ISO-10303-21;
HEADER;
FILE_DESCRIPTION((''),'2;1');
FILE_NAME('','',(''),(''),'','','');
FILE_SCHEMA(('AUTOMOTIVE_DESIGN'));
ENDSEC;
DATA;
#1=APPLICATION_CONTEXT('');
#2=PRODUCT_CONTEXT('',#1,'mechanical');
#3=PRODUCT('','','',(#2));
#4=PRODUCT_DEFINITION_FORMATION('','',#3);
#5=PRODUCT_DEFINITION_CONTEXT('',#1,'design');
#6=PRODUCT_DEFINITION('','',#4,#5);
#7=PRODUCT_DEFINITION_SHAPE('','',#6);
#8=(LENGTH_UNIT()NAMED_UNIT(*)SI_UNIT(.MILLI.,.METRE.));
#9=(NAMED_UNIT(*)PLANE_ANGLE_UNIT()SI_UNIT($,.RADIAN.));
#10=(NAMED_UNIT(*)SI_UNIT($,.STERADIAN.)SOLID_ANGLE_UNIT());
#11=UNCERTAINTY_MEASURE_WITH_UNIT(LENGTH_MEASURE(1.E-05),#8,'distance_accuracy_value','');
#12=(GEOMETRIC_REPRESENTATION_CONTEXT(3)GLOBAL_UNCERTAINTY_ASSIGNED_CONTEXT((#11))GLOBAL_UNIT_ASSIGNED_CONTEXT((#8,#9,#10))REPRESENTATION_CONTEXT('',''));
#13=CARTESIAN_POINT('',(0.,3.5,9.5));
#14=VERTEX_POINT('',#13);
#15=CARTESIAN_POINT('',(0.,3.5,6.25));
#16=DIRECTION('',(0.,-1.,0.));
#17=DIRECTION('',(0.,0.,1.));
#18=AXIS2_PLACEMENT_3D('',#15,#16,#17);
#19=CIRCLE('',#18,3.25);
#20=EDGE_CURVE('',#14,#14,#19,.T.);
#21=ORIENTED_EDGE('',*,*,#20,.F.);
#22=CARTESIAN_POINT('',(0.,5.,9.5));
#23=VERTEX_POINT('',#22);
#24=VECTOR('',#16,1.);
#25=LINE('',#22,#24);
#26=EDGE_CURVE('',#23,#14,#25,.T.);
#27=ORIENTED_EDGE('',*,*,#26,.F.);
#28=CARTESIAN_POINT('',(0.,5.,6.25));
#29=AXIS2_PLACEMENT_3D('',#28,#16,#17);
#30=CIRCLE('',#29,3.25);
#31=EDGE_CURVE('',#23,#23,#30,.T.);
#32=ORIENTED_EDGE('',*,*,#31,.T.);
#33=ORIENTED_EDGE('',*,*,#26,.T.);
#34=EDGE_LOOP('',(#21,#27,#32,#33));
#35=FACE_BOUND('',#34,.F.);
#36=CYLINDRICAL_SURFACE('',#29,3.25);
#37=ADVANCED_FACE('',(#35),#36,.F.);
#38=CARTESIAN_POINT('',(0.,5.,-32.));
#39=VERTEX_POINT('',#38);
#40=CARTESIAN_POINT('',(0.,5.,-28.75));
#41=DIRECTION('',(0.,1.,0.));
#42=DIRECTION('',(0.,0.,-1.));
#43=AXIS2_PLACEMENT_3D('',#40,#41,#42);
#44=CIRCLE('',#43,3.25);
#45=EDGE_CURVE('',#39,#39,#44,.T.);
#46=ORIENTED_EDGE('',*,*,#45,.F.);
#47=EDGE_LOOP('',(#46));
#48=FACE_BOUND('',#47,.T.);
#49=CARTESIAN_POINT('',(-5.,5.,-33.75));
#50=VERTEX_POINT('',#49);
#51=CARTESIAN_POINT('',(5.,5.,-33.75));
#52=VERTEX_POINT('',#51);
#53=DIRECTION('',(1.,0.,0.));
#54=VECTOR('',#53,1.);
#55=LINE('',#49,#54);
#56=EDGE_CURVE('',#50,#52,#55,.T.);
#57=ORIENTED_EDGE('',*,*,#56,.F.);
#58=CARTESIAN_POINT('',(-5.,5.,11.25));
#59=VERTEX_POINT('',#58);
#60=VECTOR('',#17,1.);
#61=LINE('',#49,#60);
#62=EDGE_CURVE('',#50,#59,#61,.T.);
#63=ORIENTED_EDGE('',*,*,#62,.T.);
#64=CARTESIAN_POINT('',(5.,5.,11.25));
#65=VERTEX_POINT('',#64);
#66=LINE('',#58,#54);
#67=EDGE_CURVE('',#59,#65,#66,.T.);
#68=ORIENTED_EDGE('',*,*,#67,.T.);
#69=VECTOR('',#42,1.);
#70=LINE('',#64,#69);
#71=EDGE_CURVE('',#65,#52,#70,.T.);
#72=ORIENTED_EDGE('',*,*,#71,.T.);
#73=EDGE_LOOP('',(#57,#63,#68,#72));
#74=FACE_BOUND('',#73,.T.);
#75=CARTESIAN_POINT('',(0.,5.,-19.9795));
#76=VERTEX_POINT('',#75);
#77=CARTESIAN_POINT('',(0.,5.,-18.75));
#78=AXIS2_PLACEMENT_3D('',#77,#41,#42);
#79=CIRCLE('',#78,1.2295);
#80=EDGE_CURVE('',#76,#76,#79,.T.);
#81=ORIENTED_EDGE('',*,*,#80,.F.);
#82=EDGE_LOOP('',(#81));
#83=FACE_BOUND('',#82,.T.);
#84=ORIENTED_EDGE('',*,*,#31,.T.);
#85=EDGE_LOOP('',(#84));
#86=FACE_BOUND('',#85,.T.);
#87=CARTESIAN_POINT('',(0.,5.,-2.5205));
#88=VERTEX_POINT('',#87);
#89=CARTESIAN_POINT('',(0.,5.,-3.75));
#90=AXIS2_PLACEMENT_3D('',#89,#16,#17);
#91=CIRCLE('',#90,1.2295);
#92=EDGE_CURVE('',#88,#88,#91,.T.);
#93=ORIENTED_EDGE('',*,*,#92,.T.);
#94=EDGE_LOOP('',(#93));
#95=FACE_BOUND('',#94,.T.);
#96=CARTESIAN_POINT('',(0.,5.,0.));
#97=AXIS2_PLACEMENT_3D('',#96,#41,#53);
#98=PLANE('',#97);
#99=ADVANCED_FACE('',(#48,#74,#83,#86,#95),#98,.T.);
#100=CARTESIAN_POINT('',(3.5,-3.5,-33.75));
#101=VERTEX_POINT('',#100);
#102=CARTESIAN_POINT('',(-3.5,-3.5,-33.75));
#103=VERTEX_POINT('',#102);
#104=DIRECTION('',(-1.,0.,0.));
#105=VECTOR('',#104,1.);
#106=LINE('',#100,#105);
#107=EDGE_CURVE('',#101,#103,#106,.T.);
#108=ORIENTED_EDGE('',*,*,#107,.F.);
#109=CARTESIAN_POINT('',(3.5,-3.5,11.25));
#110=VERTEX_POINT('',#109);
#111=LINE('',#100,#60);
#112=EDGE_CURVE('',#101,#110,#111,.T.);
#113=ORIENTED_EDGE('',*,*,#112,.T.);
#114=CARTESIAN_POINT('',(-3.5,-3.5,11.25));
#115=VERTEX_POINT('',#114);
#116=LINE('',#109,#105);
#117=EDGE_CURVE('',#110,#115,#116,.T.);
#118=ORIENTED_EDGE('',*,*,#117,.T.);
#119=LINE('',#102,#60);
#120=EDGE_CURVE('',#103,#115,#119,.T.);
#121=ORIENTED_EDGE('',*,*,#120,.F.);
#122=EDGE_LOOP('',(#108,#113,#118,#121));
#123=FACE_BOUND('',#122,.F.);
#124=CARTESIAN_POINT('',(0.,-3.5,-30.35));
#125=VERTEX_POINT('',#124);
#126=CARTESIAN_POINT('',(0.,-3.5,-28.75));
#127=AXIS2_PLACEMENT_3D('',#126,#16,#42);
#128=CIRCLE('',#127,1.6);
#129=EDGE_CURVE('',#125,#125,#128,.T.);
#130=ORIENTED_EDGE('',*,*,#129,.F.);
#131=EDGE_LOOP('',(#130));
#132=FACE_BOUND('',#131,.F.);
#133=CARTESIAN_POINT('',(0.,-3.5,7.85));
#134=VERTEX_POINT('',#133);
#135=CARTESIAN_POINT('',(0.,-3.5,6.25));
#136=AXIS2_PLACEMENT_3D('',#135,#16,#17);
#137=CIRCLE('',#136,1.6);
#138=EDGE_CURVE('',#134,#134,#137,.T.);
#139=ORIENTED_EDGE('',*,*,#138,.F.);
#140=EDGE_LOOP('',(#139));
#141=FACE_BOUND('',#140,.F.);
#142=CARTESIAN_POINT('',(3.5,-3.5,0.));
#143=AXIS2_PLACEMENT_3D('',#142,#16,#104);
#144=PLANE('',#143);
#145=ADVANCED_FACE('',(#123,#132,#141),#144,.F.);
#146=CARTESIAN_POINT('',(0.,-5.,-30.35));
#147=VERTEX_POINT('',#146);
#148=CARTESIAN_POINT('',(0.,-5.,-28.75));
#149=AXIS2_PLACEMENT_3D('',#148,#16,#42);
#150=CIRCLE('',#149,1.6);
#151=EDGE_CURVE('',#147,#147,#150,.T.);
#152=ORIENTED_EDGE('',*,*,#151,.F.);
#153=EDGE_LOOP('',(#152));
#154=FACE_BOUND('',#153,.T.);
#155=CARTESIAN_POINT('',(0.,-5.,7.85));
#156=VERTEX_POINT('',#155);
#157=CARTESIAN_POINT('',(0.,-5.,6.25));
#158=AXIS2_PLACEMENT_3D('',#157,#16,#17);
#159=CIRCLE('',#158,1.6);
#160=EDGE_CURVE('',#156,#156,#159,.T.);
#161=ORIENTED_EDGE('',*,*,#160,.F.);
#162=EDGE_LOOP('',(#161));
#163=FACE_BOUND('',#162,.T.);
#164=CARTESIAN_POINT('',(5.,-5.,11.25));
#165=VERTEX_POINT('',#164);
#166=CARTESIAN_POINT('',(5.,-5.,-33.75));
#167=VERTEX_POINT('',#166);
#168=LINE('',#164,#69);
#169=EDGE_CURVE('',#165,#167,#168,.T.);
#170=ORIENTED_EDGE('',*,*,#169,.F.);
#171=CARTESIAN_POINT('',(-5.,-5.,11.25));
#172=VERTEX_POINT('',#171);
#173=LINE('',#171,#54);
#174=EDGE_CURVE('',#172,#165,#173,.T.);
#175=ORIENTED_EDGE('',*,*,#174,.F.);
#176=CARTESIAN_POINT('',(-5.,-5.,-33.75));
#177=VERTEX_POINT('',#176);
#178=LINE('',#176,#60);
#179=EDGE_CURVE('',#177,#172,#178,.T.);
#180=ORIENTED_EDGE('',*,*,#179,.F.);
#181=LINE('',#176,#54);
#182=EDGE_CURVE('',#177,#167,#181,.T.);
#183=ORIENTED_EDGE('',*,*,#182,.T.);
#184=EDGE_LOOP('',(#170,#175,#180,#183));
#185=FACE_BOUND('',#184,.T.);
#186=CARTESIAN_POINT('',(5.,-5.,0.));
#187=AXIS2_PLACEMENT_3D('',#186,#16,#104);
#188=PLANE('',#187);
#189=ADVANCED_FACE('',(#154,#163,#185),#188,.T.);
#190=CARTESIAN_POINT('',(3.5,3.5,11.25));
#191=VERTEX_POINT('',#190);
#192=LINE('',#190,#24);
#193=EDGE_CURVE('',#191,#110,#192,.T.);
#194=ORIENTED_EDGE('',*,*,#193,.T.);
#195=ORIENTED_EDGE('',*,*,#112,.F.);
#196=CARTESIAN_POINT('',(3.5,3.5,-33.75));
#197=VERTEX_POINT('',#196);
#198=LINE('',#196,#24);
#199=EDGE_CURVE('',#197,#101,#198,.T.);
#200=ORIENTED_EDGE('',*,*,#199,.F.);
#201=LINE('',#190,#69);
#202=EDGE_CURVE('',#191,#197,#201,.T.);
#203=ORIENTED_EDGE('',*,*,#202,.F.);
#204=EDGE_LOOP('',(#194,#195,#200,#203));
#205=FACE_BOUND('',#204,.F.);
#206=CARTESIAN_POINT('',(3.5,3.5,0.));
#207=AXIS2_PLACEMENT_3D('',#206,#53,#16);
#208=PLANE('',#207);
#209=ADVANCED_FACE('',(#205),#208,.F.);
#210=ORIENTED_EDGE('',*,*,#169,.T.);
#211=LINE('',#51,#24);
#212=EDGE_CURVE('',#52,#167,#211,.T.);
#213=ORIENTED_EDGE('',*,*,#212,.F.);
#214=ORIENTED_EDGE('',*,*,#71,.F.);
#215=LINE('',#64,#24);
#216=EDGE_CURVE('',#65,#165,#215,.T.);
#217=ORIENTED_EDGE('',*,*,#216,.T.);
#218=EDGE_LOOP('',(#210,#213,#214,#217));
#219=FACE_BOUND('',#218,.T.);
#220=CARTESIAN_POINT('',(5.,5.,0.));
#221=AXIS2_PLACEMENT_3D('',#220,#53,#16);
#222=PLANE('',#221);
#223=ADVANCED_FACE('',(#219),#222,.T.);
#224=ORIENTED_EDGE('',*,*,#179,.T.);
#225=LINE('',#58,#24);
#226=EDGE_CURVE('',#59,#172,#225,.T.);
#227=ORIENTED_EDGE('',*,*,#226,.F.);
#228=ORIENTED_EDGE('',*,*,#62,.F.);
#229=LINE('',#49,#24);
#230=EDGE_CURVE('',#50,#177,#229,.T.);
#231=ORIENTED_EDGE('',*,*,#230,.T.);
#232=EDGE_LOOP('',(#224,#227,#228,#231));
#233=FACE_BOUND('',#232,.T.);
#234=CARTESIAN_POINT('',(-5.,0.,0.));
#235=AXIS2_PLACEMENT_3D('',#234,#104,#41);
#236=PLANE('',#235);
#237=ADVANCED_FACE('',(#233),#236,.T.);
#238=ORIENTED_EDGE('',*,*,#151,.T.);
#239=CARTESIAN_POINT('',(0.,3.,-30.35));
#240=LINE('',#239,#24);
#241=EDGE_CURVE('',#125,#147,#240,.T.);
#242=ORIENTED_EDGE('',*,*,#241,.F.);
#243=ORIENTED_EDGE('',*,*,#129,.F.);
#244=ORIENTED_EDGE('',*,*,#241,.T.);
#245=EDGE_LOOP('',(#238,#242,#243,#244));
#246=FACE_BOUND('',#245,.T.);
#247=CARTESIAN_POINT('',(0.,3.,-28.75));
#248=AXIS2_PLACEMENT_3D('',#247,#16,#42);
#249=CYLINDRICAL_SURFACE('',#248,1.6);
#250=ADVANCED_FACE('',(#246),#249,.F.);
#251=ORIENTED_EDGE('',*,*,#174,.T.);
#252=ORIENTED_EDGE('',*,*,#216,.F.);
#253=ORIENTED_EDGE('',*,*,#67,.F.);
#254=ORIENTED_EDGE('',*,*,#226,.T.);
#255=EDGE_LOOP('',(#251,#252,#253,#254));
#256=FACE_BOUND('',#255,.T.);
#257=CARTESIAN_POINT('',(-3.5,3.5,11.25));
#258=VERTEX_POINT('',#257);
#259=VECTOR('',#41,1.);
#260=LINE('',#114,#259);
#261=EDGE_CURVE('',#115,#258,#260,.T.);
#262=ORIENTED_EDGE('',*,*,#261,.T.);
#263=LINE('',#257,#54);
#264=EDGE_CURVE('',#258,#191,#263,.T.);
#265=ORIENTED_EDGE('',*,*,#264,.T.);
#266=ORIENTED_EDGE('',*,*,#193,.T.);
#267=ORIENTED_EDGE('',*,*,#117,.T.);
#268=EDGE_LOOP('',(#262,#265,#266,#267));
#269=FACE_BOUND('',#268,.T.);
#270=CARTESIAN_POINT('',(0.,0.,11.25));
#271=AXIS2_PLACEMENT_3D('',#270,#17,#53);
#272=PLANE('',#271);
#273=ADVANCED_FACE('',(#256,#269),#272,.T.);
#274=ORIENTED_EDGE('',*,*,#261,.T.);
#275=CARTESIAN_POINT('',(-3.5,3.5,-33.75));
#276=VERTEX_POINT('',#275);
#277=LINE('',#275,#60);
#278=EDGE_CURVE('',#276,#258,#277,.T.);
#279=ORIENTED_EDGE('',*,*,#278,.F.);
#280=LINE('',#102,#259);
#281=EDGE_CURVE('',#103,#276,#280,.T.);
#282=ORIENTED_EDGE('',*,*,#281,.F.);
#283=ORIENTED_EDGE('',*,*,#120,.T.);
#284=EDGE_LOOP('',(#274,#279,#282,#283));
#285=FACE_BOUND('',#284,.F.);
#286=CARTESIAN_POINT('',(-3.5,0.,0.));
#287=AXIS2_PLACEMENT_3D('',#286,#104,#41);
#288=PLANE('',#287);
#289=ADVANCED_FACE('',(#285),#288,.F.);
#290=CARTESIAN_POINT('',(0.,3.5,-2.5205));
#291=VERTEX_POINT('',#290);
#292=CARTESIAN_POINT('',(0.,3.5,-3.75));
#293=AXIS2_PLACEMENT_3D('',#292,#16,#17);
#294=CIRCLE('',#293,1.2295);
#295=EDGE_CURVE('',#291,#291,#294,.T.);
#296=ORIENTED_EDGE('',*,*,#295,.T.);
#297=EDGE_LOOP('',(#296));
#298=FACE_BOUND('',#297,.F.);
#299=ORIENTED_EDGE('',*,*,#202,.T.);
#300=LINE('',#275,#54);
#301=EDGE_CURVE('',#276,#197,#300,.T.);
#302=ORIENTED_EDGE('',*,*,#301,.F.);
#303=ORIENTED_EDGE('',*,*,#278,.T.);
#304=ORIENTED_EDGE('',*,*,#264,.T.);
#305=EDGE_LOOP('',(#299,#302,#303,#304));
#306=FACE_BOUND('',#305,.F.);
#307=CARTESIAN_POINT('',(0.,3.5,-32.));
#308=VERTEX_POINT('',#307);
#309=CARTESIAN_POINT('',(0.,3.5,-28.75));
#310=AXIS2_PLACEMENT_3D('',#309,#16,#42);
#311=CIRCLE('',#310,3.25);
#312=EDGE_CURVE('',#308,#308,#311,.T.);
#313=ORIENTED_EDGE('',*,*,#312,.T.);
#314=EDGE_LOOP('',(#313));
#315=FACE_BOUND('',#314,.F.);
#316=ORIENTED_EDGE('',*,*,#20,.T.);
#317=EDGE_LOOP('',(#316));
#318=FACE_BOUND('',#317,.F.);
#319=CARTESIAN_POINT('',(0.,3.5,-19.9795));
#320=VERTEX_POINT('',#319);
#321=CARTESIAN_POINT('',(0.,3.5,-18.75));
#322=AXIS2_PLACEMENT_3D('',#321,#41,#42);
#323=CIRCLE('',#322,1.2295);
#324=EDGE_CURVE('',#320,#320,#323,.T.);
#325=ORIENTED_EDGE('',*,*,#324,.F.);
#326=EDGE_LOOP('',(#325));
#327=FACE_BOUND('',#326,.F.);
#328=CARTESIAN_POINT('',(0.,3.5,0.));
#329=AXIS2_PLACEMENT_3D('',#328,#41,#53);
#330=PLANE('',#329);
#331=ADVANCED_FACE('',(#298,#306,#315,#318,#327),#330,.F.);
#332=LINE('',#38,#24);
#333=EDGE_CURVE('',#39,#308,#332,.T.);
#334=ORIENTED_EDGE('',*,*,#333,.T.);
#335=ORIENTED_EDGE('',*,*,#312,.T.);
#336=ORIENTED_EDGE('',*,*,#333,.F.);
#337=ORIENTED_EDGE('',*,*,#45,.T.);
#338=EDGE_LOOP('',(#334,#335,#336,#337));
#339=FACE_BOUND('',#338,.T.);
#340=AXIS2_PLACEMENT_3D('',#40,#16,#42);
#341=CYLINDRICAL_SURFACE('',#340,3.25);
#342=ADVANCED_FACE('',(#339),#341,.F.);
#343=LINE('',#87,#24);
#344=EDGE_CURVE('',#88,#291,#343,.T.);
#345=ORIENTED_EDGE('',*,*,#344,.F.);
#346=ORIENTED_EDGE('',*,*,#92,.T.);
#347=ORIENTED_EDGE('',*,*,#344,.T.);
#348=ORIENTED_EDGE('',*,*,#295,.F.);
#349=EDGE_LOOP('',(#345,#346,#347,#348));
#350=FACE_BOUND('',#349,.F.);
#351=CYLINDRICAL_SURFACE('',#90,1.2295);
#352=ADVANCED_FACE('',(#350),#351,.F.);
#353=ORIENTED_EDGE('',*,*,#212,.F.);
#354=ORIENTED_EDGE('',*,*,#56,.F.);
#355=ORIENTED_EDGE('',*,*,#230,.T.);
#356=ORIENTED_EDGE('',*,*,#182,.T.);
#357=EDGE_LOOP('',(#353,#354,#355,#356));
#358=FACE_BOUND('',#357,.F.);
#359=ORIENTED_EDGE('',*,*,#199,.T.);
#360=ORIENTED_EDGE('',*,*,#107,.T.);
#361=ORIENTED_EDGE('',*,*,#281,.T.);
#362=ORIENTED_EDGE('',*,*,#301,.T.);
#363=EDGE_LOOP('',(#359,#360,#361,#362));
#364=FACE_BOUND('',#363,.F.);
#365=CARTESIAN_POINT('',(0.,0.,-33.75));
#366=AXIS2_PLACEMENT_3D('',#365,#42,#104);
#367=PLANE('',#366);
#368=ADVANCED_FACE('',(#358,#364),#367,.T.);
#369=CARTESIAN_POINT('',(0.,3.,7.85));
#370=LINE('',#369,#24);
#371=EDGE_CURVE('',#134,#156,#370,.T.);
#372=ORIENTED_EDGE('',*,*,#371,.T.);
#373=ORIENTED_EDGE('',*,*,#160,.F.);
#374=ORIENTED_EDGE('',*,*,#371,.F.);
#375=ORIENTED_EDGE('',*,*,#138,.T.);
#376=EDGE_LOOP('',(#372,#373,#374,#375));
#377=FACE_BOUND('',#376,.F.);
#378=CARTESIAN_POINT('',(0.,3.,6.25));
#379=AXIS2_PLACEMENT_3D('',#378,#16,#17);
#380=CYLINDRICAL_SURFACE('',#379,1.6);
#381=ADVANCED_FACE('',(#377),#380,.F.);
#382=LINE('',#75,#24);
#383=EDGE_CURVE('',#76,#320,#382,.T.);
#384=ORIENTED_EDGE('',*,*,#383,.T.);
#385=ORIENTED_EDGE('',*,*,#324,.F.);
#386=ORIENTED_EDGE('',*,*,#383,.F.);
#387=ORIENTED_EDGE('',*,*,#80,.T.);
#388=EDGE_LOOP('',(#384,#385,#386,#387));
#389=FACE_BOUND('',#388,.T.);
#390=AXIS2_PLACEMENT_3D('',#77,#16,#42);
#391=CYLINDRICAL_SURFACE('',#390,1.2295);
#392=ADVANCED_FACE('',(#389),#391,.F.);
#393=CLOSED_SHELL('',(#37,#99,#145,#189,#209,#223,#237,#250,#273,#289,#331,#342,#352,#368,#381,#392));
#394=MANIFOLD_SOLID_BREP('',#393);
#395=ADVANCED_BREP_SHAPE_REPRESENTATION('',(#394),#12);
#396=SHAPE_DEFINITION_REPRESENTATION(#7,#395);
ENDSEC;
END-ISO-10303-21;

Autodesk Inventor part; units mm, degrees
ref_plane "YZ Plane" through (0, 0, 0) normal (1, 0, 0) x (0, 1, 0)
ref_plane "XZ Plane" through (0, 0, 0) normal (0, 1, 0) x (-1, 0, 0)
ref_plane "XY Plane" through (0, 0, 0) normal (0, 0, 1) x (1, 0, 0)
sketch "Náčrt1" plane through (0, 0, 0) normal (0, 0, 1) x (1, 0, 0)
  line L0 (0, 7) -> (0, -7) projected
  line L1 (-7, 0) -> (7, 0) projected
  line L2 (-3.5, 3.5) -> (3.5, 3.5)
  line L3 (3.5, 3.5) -> (3.5, -3.5)
  line L4 (3.5, -3.5) -> (-3.5, -3.5)
  line L5 (-3.5, -3.5) -> (-3.5, 3.5)
  line L6 (-5, 5) -> (5, 5)
  line L7 (5, 5) -> (5, -5)
  line L8 (5, -5) -> (-5, -5)
  line L9 (-5, -5) -> (-5, 5)
  point P0 (0, 0)
  dimension "d1" = 10
  dimension "d2" = 10
  dimension "d3" = 1.5
  dimension "d4" = 1.5
  dimension "d5" = 1.5
  dimension "d6" = 1.5
extrude "Vysunutí1" add sketch "Náčrt1" along normal mid plane 22.5 contours L6 L7 L1 L3 L2 L0 | L0 L2 L5 L1 L9 L6 | L1 L5 L4 L0 L8 L9 | L7 L8 L0 L4 L3 L1
sketch "Náčrt2" plane through (-5, 5, 11.25) normal (0, 1, 0) x (1, 0, 0)
  line L0 (12, 11.25) -> (-2, 11.25) projected
  line L1 (5, 27) -> (5, -4.5) projected
  line L2 (10, 0) -> (0, 0) projected
  line L3 (0, 22.5) -> (0, 0) projected
  point P0 (5, 11.25)
  point P1 (5, 5)
  dimension "d10" = 5
  dimension "d11" = 5
hole "Díra1" at (0, 5, 6.25) direction (0, -1, 0) diameter 3.2 end through all counterbore diameter 6.5 counterbore depth 2
sketch "Náčrt3" plane through (-5, 5, 11.25) normal (0, 1, 0) x (1, 0, 0)
  line L0 (0, 22.5) -> (0, 0) projected
  line L1 (0, 22.5) -> (10, 22.5) projected
  point P0 (5, 11.25)
  point P1 (5, 15)
  point P2 (5, 3)
  dimension "d19" = 5
  dimension "d20" = 5
  dimension "d21" = 12
  dimension "d22" = 7.5
hole "Díra2" at (0, 5, -3.75) at (0, 5, 8.25) direction (0, -1, 0) diameter 2.459 depth 1.5 thread size "M3x0.5" class "6H" standard "ISO Metric profile"
mirror "Zrcadlit1" about plane through (0, 0, -11.25) normal (0, 0, -1) of "Vysunutí1", "Díra1", "Díra2"
properties part number "bearing_base" material "Hliník 6061"
